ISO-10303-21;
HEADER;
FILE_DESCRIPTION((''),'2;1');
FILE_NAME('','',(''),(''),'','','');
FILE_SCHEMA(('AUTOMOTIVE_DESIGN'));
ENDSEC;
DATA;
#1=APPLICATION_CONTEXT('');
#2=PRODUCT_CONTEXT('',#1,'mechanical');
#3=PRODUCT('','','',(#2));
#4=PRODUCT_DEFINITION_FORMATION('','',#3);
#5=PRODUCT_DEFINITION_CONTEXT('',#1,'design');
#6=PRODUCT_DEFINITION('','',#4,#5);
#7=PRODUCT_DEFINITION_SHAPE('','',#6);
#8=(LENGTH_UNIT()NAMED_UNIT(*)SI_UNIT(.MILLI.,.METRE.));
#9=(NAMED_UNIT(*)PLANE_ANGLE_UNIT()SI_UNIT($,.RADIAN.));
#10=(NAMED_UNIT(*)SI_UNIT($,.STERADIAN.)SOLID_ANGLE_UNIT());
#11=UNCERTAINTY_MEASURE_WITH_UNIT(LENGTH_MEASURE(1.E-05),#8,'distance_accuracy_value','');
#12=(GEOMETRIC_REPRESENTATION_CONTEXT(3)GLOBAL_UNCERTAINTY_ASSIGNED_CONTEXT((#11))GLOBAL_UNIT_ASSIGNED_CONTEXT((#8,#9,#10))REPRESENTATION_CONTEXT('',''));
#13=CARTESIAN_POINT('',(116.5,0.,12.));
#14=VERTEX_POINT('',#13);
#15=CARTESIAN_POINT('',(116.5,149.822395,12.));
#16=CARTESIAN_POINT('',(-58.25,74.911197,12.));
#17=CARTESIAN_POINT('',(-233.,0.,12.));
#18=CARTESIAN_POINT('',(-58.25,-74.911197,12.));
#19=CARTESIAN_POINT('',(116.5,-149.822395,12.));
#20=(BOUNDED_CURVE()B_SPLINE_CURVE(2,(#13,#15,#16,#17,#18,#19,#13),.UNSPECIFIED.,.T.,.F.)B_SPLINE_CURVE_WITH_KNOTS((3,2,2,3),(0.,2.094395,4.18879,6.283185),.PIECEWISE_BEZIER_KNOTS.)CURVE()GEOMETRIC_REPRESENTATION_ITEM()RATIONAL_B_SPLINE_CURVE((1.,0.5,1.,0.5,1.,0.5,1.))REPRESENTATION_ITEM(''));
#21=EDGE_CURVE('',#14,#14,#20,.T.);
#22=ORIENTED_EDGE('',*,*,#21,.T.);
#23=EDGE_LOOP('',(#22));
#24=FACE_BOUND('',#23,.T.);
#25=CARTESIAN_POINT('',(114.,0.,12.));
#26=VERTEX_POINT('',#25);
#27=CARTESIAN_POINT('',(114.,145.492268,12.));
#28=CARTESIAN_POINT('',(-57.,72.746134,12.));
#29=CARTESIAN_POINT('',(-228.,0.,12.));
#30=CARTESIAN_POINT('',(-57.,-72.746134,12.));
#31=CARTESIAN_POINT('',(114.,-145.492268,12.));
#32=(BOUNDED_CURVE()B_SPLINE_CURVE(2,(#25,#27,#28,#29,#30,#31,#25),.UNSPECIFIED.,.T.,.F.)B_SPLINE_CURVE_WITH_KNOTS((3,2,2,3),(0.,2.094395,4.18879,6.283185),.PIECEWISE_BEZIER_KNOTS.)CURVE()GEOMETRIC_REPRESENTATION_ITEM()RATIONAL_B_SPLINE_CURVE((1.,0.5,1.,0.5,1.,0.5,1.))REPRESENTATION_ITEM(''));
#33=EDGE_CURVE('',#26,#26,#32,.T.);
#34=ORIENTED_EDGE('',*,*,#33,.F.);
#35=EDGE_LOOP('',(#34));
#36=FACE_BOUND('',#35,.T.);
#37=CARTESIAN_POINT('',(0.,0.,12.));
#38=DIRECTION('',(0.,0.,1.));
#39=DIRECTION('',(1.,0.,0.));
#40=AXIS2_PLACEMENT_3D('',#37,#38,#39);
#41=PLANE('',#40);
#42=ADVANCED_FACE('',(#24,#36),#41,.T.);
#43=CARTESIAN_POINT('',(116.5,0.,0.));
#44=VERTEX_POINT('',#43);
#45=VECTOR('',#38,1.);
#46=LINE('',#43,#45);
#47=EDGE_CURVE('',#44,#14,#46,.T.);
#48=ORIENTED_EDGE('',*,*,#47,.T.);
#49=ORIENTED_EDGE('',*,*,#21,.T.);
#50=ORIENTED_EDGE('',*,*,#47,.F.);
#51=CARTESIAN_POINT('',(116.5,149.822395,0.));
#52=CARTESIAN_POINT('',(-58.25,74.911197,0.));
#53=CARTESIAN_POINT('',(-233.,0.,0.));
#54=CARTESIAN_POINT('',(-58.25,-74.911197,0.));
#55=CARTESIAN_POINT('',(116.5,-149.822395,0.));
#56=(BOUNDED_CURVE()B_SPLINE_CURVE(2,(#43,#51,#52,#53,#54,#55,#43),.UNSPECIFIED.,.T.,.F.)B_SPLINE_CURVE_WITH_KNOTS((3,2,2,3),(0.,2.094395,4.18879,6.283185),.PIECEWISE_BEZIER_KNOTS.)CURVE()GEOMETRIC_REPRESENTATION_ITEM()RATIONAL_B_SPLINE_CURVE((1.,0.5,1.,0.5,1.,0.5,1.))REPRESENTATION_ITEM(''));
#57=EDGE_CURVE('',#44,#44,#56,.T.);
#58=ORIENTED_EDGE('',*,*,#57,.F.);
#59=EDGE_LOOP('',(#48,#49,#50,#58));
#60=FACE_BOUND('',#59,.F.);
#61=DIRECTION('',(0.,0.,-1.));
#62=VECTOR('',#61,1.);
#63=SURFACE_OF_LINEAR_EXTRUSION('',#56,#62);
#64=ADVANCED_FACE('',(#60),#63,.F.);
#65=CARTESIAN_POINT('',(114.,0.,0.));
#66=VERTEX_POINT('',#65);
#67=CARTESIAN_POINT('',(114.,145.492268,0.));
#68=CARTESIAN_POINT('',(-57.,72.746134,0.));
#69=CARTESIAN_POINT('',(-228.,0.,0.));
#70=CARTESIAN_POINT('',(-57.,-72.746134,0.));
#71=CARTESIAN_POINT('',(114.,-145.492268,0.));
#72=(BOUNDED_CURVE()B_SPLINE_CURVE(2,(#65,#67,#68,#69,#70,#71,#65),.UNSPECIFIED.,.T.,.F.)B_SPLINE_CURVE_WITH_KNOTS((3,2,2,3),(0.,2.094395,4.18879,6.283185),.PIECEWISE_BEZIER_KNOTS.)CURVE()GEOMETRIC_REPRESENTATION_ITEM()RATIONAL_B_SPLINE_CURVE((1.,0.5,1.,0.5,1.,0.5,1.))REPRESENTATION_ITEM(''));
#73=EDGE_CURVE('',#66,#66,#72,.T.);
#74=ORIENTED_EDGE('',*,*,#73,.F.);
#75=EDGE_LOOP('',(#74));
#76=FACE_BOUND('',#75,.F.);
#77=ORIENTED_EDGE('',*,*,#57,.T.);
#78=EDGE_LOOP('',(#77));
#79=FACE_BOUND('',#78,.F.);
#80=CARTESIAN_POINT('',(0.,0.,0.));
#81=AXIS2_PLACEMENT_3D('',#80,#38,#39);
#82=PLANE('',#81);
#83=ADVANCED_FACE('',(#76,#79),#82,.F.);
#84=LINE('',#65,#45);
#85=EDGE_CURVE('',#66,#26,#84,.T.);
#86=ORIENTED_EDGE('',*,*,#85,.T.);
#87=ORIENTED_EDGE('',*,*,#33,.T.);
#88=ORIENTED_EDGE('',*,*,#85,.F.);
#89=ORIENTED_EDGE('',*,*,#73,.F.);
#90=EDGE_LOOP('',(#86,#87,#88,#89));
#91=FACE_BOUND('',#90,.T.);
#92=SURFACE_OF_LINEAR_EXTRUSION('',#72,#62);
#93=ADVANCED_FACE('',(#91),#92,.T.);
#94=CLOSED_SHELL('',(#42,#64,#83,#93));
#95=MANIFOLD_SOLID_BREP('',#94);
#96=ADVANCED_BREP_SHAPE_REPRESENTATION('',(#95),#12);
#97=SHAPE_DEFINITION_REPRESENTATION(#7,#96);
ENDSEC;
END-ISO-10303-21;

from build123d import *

# Parameters (mm, degrees)
F1_DEPTH = 12


with BuildPart() as f1:
    # F0 (on Top) → F1 (new body)
    with BuildSketch(Plane.XY):
        with BuildLine():
            add(Edge.make_bspline(
                [(116.5, 0), (116.5, 149.822395), (-58.25, 74.911197), (-233, 0), (-58.25, -74.911197), (116.5, -149.822395), (116.5, 0)],
                knots=[0, 0, 0, 2.094395, 2.094395, 4.18879, 4.18879, 6.283185, 6.283185, 6.283185], degree=2, weights=[1, 0.5, 1, 0.5, 1, 0.5, 1]))
        make_face()
        with BuildLine():
            add(Edge.make_bspline(
                [(114, 0), (114, 145.492268), (-57, 72.746134), (-228, 0), (-57, -72.746134), (114, -145.492268), (114, 0)],
                knots=[0, 0, 0, 2.094395, 2.094395, 4.18879, 4.18879, 6.283185, 6.283185, 6.283185], degree=2, weights=[1, 0.5, 1, 0.5, 1, 0.5, 1]))
        make_face(mode=Mode.SUBTRACT)
    extrude(amount=F1_DEPTH)


solid = f1.part
